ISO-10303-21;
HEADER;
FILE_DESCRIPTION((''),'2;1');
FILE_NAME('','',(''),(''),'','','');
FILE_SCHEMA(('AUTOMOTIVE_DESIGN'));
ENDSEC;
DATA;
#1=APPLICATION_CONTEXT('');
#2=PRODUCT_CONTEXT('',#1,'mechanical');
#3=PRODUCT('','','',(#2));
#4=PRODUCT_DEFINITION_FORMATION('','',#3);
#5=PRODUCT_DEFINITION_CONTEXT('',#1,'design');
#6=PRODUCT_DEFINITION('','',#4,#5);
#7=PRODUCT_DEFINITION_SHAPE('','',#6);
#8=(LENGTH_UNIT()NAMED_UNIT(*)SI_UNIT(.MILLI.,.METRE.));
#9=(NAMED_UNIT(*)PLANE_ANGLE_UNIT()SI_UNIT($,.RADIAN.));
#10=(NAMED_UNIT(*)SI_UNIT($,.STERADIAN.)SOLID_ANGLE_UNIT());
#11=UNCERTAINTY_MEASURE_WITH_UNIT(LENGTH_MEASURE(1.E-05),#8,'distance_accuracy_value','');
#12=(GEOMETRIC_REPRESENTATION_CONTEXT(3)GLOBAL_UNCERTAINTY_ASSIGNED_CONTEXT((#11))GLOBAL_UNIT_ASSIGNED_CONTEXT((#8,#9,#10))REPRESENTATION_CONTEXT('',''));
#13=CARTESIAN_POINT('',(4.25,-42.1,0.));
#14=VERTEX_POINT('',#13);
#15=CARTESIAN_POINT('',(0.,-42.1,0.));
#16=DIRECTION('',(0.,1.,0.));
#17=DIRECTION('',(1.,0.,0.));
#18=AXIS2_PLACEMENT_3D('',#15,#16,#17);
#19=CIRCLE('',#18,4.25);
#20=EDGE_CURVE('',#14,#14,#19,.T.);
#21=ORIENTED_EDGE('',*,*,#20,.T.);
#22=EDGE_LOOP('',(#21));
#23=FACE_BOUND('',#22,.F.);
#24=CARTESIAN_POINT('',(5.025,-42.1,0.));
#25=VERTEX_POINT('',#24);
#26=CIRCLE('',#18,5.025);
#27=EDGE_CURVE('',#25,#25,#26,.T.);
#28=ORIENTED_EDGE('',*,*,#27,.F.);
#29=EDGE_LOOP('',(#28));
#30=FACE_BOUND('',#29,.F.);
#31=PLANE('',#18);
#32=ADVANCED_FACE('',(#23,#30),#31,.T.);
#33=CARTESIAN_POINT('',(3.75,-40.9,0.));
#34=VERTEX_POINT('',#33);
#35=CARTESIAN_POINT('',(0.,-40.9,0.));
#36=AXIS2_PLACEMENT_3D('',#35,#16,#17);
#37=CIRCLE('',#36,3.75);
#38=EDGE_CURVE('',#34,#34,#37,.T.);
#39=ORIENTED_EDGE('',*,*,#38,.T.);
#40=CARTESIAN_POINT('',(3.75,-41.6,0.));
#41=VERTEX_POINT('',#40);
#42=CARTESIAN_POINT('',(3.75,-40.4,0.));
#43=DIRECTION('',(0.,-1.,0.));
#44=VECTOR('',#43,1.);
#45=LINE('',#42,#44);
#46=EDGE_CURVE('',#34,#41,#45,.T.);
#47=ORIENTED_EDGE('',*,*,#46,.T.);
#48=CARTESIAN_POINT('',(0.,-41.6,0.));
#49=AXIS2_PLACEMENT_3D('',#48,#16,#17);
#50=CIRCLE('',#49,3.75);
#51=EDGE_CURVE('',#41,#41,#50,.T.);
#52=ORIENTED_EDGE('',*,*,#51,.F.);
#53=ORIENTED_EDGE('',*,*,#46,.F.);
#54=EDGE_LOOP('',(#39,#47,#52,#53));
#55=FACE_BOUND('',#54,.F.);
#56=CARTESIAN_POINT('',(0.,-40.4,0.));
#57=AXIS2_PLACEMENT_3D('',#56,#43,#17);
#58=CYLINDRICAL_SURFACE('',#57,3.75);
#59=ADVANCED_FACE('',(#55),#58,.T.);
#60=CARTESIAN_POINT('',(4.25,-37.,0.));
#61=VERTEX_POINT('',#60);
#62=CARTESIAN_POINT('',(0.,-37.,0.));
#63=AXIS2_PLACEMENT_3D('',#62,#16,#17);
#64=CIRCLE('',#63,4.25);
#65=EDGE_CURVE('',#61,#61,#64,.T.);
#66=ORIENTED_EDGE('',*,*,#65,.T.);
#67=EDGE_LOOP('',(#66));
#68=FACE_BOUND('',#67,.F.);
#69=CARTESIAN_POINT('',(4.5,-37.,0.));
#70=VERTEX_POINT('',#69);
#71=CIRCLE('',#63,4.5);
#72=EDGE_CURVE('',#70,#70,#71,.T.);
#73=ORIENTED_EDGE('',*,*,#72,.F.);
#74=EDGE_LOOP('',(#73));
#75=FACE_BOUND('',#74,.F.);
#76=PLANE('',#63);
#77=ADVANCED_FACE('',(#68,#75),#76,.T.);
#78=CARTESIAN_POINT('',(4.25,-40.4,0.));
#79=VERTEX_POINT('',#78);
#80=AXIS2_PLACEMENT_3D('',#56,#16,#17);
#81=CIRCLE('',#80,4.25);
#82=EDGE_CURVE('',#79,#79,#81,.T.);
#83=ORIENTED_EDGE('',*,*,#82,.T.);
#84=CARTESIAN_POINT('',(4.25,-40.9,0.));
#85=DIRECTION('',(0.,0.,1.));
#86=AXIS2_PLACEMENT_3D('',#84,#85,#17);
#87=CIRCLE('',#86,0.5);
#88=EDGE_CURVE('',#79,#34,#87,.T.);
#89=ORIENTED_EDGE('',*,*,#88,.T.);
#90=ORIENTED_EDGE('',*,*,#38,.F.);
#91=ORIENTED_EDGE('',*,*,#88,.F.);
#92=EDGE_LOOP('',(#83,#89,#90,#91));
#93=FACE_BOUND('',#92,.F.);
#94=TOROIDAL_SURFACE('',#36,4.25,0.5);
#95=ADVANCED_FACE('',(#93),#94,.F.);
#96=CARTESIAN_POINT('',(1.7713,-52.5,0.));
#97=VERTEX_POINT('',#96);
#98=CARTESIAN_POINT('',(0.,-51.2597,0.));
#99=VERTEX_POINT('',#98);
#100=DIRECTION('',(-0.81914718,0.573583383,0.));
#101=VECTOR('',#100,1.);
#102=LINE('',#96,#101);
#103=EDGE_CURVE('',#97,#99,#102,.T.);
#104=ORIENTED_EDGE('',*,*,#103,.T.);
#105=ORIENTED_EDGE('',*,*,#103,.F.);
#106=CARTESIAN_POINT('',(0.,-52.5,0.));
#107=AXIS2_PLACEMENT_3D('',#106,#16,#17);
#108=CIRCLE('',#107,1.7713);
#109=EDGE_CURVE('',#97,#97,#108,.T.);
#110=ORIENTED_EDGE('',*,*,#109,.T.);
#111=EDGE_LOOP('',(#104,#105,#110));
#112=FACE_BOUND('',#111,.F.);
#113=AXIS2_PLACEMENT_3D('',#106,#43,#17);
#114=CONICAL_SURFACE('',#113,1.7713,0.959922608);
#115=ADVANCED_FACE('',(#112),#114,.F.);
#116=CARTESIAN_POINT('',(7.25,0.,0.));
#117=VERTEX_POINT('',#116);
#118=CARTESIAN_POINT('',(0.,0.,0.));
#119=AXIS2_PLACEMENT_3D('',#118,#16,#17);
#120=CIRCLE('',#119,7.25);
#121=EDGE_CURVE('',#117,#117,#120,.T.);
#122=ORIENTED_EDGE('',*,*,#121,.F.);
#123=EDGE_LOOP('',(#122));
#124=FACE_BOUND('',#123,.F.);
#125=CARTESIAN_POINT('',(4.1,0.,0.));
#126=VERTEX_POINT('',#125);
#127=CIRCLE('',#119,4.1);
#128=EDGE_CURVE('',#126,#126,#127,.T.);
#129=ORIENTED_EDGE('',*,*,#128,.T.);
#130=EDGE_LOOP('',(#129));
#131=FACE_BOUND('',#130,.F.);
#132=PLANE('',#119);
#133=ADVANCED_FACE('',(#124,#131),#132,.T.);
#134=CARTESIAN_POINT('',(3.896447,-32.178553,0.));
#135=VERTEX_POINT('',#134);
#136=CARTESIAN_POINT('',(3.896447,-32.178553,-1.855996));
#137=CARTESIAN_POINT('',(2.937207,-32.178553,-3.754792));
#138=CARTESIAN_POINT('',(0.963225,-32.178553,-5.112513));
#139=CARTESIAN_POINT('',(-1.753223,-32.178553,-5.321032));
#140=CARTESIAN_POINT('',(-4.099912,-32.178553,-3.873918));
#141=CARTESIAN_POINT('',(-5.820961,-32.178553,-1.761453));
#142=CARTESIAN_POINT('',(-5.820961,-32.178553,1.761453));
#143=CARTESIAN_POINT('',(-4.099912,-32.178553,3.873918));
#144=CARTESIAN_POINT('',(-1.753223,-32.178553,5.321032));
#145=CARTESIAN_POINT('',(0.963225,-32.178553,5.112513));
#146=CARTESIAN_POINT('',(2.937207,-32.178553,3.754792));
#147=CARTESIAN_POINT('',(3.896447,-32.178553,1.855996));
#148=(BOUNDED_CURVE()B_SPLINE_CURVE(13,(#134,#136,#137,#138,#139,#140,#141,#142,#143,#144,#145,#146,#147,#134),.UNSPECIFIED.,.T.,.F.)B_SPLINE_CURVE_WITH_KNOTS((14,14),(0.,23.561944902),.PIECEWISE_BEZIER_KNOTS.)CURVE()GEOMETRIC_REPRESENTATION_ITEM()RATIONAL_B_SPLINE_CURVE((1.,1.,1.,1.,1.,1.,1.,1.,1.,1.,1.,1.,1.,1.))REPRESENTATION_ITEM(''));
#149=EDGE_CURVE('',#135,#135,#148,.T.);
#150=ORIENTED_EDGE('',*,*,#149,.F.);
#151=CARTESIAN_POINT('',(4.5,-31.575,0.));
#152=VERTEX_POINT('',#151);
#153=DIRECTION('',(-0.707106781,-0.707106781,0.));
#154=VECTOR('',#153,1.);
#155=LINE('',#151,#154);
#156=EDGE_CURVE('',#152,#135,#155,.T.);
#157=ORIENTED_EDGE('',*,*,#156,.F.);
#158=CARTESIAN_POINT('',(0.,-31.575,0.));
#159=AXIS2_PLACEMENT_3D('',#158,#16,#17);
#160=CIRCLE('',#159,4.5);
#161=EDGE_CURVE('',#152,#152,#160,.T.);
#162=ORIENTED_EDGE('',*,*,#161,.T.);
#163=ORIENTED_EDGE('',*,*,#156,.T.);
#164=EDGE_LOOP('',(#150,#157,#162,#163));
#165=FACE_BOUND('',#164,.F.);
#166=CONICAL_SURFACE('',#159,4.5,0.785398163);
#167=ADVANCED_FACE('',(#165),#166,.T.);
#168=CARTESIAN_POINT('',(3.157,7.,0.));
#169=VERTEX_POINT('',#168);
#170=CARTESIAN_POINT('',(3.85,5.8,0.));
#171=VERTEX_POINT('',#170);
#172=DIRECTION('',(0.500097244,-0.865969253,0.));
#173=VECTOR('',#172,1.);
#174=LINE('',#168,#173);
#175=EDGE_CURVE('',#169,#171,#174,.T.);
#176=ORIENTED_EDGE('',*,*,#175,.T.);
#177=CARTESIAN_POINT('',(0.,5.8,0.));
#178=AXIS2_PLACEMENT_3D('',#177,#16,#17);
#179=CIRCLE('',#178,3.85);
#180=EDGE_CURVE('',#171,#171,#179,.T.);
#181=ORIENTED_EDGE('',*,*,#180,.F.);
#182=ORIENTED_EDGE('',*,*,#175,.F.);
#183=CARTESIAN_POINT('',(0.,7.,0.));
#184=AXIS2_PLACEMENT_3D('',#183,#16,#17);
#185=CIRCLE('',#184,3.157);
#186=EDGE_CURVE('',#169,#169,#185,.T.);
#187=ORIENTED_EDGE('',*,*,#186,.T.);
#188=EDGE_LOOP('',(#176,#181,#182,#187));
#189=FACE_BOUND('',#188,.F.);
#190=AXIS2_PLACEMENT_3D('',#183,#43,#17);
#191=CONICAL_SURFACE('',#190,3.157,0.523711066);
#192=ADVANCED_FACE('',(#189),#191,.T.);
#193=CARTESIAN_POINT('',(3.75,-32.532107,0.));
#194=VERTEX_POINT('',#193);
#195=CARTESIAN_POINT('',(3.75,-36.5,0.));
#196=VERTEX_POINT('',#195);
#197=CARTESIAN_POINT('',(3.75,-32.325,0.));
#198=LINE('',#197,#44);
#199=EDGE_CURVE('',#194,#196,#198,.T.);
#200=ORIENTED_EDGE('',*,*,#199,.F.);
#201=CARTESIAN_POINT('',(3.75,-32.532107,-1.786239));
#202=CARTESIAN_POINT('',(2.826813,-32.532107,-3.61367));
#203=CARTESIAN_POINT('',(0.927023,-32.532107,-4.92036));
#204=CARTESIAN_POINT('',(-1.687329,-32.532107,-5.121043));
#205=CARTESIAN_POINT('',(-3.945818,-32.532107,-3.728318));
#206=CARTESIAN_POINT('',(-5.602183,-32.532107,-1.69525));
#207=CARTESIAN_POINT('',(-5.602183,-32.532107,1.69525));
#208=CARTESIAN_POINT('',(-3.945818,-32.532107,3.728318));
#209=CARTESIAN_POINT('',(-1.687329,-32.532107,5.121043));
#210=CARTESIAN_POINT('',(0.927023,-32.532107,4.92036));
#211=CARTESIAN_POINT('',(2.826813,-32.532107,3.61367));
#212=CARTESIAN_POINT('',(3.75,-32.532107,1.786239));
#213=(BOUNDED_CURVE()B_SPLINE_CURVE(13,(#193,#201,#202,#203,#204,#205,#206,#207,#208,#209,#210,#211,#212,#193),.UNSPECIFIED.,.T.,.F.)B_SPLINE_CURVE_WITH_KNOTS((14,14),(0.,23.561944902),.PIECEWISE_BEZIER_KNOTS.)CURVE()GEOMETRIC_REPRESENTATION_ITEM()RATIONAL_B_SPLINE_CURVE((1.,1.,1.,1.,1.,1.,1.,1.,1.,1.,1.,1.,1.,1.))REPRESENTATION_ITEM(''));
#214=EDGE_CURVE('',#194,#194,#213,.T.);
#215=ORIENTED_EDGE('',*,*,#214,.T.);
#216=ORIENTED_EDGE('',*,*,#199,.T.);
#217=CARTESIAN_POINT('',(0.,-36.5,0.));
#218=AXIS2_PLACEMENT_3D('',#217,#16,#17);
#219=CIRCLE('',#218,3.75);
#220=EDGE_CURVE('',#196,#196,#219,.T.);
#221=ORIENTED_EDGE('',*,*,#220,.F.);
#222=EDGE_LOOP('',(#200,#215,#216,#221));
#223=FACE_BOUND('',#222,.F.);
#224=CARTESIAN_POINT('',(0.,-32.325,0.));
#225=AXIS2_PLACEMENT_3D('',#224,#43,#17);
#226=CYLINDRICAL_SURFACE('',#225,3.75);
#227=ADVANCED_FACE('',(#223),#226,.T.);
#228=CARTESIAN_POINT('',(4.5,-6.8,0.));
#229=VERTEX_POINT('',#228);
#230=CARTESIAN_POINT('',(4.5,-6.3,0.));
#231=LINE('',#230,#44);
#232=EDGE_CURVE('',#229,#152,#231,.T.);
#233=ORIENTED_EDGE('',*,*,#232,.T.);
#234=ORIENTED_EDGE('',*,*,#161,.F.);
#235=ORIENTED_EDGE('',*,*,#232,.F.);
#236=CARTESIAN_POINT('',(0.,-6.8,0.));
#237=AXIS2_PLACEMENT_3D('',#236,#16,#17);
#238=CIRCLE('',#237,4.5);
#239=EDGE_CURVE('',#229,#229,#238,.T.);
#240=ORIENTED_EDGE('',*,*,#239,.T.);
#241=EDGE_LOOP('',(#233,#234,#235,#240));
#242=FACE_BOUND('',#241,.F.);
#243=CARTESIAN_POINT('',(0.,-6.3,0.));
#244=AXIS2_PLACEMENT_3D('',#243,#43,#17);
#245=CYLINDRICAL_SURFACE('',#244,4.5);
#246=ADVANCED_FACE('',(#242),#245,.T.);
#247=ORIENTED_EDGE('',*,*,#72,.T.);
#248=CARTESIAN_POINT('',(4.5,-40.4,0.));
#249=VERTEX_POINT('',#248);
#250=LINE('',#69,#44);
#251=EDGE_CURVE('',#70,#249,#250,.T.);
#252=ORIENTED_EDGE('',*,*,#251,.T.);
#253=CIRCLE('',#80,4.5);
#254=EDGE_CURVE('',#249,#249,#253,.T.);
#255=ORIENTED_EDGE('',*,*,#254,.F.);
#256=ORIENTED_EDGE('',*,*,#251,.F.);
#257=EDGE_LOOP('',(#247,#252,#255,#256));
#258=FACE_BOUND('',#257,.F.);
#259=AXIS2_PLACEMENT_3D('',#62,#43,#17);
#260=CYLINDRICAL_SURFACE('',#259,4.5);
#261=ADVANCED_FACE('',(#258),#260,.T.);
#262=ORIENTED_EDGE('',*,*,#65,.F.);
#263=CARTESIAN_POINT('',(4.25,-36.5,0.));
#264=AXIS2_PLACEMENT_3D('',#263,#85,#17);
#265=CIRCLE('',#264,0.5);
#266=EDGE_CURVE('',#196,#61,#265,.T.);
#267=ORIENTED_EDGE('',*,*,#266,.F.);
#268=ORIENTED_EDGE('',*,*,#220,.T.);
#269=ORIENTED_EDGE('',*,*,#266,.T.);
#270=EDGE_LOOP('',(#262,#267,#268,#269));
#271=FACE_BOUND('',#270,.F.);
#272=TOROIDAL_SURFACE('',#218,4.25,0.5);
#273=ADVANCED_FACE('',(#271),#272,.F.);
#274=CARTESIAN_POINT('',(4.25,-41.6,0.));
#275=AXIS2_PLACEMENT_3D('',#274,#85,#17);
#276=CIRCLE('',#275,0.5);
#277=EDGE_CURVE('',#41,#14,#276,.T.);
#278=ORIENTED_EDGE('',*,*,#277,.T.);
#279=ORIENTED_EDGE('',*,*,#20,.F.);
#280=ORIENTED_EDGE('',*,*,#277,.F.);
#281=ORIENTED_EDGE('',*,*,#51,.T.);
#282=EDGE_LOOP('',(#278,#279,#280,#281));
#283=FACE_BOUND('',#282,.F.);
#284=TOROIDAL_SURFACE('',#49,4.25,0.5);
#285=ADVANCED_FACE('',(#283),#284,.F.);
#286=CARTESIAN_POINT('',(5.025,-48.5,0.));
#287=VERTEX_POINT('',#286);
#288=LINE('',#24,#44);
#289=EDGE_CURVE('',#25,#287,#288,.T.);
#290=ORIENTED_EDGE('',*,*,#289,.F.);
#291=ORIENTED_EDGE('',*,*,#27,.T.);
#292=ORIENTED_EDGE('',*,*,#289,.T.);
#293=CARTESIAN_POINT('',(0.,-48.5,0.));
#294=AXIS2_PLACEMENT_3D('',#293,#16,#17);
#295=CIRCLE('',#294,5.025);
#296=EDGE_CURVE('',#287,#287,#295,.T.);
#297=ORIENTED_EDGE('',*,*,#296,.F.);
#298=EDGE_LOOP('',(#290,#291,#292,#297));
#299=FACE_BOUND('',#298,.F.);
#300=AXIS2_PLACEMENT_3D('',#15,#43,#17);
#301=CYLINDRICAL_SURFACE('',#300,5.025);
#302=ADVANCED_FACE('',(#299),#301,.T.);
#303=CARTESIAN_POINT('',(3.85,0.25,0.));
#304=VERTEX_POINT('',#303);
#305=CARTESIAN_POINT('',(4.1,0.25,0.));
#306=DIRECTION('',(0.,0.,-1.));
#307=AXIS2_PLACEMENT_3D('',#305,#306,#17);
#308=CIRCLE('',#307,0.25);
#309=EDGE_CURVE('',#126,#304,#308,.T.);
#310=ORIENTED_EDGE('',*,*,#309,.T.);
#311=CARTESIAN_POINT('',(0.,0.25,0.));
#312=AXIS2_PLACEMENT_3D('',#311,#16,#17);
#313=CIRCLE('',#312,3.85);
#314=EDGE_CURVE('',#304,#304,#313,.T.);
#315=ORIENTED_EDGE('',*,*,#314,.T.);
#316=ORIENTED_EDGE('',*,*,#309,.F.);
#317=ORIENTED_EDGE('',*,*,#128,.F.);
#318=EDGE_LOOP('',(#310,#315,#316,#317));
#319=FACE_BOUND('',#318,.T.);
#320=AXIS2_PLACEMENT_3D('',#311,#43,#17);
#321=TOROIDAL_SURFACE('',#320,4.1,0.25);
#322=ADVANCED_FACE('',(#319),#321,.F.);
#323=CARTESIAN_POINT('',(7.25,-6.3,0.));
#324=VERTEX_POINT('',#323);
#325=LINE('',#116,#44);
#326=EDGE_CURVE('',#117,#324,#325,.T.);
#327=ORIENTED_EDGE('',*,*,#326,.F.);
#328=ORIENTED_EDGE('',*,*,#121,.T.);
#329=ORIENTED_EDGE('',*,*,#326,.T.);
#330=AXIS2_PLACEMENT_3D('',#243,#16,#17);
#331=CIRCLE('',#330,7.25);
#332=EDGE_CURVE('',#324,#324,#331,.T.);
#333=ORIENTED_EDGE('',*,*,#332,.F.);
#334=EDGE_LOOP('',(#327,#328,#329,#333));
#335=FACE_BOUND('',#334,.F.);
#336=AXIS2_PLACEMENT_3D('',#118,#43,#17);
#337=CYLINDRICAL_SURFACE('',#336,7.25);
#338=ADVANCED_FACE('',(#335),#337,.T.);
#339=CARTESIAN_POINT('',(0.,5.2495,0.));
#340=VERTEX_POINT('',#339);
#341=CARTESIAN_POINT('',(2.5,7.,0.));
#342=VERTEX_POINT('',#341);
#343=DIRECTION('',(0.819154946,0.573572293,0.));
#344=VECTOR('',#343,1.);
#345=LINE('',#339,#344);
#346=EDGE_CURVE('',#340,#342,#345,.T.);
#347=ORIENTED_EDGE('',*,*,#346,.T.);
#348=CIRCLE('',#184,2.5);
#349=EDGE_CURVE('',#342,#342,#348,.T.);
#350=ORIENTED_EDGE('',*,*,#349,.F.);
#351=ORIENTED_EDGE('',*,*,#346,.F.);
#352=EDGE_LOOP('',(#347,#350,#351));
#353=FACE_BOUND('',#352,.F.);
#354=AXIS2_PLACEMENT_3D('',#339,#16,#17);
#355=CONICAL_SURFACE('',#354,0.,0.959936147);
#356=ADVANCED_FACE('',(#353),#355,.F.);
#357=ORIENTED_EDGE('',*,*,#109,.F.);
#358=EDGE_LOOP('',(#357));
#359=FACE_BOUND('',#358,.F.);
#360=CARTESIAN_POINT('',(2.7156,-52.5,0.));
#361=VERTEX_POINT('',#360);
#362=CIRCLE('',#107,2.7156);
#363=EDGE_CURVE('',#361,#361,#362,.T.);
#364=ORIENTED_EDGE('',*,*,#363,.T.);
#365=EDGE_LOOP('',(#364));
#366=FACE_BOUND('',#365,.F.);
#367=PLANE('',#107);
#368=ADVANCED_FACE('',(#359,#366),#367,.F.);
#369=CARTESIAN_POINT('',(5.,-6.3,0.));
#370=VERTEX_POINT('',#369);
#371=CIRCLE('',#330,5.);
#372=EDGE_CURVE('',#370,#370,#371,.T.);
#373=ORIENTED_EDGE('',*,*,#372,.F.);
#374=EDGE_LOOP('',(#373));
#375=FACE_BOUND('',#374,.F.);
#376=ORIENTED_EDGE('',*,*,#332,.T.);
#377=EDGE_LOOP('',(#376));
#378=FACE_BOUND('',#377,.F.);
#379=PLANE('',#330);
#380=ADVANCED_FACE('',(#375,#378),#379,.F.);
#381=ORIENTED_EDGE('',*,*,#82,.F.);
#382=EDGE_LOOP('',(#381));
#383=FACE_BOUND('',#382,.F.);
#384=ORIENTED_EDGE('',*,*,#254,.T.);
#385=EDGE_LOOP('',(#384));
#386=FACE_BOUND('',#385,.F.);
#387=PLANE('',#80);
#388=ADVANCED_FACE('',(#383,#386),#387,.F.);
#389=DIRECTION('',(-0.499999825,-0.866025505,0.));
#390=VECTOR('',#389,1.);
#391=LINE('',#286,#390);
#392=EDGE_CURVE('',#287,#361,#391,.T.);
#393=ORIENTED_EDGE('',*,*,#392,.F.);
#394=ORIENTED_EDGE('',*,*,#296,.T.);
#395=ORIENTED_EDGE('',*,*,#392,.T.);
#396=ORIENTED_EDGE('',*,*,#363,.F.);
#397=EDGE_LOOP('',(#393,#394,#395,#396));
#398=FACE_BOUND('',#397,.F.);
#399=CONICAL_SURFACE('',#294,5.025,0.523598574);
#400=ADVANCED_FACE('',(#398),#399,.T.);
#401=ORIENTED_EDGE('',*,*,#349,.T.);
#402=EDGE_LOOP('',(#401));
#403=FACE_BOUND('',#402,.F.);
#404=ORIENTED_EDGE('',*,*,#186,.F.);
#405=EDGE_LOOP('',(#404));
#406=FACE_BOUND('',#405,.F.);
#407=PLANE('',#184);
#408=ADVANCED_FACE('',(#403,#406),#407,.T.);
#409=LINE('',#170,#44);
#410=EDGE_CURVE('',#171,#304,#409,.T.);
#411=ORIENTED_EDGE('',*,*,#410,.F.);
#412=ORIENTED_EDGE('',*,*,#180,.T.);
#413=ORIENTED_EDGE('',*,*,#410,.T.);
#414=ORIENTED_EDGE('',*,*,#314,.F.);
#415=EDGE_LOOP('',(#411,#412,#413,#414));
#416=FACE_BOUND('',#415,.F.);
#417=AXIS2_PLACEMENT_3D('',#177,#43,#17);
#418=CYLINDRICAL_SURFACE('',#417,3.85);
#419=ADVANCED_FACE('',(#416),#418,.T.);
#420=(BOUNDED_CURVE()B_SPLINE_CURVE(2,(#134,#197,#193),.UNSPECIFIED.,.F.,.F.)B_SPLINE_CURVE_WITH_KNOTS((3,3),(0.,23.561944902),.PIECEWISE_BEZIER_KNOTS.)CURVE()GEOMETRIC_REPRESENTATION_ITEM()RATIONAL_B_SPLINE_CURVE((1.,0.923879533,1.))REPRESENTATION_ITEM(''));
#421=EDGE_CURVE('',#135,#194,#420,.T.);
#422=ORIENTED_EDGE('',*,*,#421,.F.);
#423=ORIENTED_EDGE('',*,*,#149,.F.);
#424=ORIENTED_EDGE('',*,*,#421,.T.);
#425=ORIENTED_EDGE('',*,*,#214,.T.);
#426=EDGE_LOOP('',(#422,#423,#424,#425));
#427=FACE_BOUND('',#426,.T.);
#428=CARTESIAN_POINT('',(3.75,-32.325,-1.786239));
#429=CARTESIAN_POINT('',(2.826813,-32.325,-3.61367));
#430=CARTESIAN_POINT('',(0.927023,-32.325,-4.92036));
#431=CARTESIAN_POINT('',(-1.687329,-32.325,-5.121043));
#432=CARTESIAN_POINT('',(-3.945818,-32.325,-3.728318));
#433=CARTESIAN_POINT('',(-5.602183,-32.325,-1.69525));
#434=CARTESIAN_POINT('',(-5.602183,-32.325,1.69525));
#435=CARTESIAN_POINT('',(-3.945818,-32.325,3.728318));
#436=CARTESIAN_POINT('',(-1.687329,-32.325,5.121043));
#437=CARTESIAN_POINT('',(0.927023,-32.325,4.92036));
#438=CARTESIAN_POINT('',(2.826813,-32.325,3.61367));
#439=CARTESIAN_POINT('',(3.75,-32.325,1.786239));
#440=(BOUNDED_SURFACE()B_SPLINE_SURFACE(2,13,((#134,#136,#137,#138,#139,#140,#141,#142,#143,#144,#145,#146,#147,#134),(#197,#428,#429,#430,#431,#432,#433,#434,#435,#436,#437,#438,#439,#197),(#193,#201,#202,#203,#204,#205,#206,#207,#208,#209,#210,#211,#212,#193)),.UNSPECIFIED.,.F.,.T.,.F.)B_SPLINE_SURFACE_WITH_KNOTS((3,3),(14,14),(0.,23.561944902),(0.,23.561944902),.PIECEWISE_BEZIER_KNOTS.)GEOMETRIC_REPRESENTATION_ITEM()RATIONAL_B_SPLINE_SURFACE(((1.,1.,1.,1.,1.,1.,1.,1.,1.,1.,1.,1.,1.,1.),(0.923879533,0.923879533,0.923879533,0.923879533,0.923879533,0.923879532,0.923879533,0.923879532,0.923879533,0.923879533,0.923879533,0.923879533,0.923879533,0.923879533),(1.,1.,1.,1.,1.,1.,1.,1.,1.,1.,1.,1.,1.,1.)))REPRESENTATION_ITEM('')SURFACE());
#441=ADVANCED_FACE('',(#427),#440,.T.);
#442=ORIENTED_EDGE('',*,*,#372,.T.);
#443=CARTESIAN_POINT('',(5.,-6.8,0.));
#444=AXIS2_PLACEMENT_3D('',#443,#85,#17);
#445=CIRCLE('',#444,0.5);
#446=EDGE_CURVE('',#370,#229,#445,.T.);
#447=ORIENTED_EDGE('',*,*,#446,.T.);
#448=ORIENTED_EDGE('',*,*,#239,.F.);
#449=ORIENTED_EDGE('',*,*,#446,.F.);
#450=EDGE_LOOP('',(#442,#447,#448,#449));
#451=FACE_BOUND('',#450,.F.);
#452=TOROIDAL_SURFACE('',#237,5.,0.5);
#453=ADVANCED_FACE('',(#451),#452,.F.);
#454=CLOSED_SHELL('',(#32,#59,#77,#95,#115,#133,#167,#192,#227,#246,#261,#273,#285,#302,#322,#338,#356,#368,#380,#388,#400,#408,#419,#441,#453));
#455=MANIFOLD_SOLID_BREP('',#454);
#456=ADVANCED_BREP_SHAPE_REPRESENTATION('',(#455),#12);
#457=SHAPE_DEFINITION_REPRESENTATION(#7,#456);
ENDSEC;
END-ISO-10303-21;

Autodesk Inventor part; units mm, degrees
ref_plane "YZ Plane" through (0, 0, 0) normal (1, 0, 0) x (0, 1, 0)
ref_plane "XZ Plane" through (0, 0, 0) normal (0, 1, 0) x (-1, 0, 0)
ref_plane "XY Plane" through (0, 0, 0) normal (0, 0, 1) x (1, 0, 0)
sketch "Sketch1" plane through (0, 0, 0) normal (0, 0, 1) x (1, 0, 0)
  line L0 (0, 18.9) -> (0, -64.4) projected
  line L1 (-1.45, 0) -> (8.7, 0) projected
  line L2 (0, 5.2495) -> (2.5, 7)
  line L3 (2.5, 7) -> (3.157, 7)
  line L4 (3.157, 7) -> (3.85, 5.8)
  line L5 (3.85, 5.8) -> (3.85, 0)
  line L6 (3.85, 0) -> (7.25, 0)
  line L7 (7.25, 0) -> (7.25, -6.3)
  line L8 (7.25, -6.3) -> (4.5, -6.3)
  line L9 (4.5, -6.3) -> (4.5, -31.575)
  line L10 (4.5, -31.575) -> (3.75, -32.325)
  line L11 (3.75, -32.325) -> (3.75, -37)
  line L12 (3.75, -37) -> (4.5, -37)
  line L13 (4.5, -37) -> (4.5, -40.4)
  line L14 (4.5, -40.4) -> (3.75, -40.4)
  line L15 (3.75, -40.4) -> (3.75, -42.1)
  line L16 (3.75, -42.1) -> (5.025, -42.1)
  line L17 (5.025, -42.1) -> (5.025, -48.5)
  line L18 (5.025, -48.5) -> (2.7156, -52.5)
  line L19 (2.7156, -52.5) -> (1.7713, -52.5)
  line L20 (1.7713, -52.5) -> (0, -51.2597)
  line L21 (0, -51.2597) -> (0, 5.2495)
  point P0 (0, 0)
  dimension "d0" = 7
  dimension "d1" = 3.85
  dimension "d2" = 1.2
  dimension "d3" = 3.157
  dimension "d4" = 35
  dimension "d5" = 2.5
  dimension "d7" = 7.25
  dimension "d8" = 6.3
  dimension "d9" = 4.5
  dimension "d10" = 3.75
  dimension "d13" = 45
  dimension "d14" = 5.425
  dimension "d15" = 4.5
  dimension "d16" = 3.4
  dimension "d17" = 3.75
  dimension "d18" = 1.7
  dimension "d19" = 5.025
  dimension "d20" = 52.5
  dimension "d21" = 35
  dimension "d22" = 30
  dimension "d23" = 6.4
  dimension "d28" = 0.9443
  dimension "d29" = 4
revolve "Revolution1" add sketch "Sketch1" angle 360 about axis through (0, -51.2597, 0) along (0, 1, 0)
fillet "Fillet1" radius 0.5 5 edges at (-3.75, -42.1, 0) (-3.75, -40.4, 0) (-3.75, -32.325, 0) (-4.5, -6.3, 0) (-3.75, -37, 0)
fillet "Fillet2" radius 0.25 1 edges at (-3.85, 0, 0)
properties part number "100-03" material "Stainless Steel"
